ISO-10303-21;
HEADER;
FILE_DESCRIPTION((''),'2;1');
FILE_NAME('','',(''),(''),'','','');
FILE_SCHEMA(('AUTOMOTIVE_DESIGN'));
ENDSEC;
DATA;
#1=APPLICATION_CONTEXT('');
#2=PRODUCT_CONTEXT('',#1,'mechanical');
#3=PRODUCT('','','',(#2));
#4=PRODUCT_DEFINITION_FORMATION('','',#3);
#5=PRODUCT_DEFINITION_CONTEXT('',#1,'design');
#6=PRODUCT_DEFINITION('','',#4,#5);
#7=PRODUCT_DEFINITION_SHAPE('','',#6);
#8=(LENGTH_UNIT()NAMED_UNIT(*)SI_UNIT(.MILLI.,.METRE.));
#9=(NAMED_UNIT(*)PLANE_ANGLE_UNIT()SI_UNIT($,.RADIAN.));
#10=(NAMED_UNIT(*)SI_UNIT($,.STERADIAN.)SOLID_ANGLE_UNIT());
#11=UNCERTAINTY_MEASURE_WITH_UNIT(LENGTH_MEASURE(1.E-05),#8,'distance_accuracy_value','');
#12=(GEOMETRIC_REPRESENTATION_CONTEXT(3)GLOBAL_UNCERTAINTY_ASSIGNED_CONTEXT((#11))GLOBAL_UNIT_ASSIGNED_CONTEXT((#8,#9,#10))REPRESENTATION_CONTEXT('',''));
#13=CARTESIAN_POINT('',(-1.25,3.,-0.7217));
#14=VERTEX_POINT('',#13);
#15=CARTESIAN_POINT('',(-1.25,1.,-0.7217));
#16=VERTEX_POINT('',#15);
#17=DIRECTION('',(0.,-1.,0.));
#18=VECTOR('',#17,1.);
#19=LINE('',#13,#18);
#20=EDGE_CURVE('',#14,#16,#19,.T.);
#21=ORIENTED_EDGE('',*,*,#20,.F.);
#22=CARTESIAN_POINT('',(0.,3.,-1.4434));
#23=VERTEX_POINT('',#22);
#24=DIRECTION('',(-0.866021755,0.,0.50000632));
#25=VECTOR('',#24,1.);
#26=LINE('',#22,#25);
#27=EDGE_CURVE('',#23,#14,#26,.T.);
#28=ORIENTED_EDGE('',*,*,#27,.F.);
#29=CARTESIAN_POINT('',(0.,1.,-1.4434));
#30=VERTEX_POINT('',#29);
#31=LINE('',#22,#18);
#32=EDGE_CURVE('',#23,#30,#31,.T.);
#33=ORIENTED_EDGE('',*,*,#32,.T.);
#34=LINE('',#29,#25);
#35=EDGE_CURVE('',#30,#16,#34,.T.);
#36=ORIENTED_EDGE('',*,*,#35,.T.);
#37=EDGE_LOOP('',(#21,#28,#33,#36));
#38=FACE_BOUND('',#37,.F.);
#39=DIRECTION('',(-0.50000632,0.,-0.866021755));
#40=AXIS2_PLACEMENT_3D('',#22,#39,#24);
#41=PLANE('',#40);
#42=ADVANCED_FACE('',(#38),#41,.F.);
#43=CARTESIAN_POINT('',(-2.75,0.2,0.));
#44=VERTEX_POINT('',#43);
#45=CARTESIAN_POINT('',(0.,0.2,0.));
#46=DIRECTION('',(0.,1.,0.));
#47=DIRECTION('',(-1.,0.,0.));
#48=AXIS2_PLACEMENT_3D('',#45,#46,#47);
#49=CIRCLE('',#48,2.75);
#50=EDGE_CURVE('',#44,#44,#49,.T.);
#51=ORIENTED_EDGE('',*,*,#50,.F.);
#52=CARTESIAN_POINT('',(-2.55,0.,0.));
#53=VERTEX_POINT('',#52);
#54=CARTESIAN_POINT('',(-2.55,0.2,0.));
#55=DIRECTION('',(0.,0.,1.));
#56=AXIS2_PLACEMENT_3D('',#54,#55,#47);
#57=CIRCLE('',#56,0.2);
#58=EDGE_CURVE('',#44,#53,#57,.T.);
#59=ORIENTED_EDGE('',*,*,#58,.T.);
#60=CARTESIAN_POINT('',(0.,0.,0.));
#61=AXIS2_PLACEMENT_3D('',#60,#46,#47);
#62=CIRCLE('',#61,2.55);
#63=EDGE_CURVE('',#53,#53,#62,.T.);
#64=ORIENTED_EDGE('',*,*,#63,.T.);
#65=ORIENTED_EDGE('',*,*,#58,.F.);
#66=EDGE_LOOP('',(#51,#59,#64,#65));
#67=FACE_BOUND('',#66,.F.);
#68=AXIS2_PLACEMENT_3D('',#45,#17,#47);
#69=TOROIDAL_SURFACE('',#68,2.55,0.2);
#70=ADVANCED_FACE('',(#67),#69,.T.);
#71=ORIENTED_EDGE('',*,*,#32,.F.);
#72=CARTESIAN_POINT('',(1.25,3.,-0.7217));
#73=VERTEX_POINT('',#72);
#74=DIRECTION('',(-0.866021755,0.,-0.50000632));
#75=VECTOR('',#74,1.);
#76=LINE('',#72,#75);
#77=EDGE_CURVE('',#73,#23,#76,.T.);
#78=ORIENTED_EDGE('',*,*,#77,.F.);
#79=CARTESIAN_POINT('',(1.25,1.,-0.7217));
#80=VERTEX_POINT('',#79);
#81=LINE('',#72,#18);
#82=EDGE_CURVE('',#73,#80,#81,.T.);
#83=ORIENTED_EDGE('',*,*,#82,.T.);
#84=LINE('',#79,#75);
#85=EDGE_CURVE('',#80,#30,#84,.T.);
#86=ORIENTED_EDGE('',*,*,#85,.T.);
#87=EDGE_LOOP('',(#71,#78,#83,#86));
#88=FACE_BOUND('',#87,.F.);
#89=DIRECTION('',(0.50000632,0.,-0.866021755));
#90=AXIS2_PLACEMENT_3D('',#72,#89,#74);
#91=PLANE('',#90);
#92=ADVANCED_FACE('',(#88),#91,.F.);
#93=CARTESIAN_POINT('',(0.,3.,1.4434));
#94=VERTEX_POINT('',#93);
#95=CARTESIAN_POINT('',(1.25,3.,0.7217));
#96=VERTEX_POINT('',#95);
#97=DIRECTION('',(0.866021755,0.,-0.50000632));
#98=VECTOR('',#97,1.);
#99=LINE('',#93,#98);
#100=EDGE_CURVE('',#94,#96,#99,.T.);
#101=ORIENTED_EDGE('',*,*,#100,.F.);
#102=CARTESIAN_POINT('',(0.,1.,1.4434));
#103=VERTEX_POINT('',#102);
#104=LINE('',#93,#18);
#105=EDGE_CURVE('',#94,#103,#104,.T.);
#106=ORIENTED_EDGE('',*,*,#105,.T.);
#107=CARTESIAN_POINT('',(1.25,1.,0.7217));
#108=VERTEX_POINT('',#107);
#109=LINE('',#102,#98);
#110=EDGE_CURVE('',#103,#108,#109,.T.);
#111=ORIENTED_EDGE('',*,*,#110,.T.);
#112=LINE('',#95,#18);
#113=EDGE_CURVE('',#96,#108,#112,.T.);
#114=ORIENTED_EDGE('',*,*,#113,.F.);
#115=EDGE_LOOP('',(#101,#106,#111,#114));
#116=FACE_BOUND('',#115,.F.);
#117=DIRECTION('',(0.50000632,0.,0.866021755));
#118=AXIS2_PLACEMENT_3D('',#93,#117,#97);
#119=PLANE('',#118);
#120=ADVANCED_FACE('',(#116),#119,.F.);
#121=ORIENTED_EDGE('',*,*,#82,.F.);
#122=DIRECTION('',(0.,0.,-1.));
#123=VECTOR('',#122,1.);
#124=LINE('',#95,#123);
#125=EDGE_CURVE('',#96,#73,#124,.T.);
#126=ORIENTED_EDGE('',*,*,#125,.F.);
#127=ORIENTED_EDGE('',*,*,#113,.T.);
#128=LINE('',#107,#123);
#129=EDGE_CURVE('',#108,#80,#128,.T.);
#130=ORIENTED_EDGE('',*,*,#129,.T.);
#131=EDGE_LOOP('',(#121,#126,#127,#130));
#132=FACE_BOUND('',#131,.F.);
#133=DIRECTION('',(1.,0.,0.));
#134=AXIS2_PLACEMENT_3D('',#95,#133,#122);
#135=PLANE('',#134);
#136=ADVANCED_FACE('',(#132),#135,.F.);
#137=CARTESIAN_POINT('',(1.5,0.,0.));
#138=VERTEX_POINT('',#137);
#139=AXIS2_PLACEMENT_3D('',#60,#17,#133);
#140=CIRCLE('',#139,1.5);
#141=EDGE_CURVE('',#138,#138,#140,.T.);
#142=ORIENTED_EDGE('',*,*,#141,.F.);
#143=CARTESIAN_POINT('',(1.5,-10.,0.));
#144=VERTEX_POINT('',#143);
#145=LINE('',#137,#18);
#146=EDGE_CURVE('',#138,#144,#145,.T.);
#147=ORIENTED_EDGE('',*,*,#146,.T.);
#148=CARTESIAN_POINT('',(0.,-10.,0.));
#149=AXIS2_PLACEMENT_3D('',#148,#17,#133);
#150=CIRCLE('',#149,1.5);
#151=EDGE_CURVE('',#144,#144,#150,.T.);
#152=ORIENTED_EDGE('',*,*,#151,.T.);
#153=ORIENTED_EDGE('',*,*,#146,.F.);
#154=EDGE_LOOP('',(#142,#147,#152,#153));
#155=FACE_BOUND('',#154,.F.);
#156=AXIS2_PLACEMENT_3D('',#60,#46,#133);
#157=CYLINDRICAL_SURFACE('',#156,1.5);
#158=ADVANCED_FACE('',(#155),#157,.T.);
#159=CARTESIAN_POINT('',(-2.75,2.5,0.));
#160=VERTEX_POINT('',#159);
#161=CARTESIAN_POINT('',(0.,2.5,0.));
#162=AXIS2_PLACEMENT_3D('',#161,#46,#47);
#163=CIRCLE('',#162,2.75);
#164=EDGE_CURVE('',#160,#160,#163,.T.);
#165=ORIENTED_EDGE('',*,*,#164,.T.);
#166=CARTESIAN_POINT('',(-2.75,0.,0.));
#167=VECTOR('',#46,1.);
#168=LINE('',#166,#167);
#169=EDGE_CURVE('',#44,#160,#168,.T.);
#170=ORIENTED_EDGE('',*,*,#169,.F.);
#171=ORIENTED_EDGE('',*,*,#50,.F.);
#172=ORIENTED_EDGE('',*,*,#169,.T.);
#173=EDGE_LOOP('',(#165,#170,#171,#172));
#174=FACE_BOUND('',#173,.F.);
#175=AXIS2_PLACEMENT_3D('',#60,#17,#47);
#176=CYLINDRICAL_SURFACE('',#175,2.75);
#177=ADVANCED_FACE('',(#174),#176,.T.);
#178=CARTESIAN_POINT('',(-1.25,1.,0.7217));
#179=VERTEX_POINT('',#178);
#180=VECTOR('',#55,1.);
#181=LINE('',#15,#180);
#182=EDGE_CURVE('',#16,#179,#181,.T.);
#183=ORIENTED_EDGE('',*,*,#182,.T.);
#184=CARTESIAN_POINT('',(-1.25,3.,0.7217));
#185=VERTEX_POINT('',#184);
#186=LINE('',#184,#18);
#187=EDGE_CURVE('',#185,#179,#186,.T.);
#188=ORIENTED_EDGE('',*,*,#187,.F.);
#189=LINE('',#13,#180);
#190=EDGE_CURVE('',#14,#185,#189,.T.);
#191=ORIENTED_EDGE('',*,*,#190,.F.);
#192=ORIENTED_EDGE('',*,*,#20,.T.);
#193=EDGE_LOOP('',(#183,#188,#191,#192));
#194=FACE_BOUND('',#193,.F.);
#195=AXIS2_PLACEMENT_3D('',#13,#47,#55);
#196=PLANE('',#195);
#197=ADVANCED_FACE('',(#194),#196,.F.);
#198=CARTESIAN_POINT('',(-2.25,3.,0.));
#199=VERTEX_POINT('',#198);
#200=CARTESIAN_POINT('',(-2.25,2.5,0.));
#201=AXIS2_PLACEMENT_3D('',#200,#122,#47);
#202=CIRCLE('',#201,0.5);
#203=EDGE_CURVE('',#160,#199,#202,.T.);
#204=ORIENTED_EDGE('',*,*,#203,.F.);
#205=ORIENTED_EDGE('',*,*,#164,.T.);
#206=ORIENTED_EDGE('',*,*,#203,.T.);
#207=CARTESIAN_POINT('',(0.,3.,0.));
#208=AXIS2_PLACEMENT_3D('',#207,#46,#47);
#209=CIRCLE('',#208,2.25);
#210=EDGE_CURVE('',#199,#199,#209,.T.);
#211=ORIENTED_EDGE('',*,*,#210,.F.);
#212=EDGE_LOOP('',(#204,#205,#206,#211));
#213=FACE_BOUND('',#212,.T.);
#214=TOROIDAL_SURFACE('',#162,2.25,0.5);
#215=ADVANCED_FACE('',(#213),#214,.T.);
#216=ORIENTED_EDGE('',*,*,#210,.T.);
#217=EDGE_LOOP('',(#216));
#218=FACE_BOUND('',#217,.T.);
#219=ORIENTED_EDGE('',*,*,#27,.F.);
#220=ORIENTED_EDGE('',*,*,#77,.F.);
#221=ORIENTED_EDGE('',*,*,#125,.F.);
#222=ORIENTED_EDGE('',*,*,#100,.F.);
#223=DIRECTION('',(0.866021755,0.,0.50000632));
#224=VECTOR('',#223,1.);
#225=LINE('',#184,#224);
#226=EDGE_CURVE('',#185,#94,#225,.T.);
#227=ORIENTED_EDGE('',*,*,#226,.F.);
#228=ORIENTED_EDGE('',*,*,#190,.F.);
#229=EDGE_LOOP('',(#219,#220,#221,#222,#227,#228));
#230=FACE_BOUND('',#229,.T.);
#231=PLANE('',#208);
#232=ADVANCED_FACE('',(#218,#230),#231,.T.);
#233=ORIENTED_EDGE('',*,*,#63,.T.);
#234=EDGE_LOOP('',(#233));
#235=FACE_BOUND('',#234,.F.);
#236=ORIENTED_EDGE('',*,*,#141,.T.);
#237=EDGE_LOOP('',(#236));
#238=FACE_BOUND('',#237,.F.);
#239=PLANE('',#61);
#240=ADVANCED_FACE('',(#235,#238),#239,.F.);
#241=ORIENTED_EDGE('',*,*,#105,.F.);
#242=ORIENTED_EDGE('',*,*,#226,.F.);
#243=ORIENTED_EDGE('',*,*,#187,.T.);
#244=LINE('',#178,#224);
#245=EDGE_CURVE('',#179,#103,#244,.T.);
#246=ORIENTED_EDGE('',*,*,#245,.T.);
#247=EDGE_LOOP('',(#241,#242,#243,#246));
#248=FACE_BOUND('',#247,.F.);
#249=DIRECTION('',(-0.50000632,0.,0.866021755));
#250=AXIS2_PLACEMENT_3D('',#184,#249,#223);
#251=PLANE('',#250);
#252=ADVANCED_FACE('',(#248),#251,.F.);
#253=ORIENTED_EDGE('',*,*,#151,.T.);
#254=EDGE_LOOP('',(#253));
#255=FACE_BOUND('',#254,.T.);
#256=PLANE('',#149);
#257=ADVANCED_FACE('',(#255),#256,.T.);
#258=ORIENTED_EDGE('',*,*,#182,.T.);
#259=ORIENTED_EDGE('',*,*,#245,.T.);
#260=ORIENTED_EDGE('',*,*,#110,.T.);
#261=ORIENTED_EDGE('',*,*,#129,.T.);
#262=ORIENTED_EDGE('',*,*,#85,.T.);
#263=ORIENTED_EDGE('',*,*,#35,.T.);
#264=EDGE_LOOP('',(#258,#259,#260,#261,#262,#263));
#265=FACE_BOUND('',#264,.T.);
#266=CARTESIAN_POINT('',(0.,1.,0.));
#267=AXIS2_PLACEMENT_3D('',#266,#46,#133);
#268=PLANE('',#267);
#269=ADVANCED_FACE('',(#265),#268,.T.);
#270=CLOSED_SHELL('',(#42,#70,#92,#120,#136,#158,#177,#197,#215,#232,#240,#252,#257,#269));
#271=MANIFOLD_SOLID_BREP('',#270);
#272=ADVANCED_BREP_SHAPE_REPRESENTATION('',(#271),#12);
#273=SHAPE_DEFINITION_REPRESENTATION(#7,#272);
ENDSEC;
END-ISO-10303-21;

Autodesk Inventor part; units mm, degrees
ref_plane "YZ Plane" through (0, 0, 0) normal (1, 0, 0) x (0, 1, 0)
ref_plane "XZ Plane" through (0, 0, 0) normal (0, 1, 0) x (-1, 0, 0)
ref_plane "XY Plane" through (0, 0, 0) normal (0, 0, 1) x (1, 0, 0)
sketch "スケッチ1" plane through (0, 0, 0) normal (0, 1, 0) x (-1, 0, 0)
  circle A0 centre (0, 0) radius 2.75
  dimension "d0" = 5.5
extrude "押し出し1" add sketch "スケッチ1" along normal blind 3
sketch "スケッチ2" plane through (0, 0, 0) normal (0, -1, 0) x (1, 0, 0)
  circle A0 centre (0, 0) radius 1.5
  dimension "d3" = 3
extrude "押し出し2" add sketch "スケッチ2" along normal blind 10
fillet "フィレット1" radius 0.5 1 edges at (2.75, 3, 0)
fillet "フィレット1" radius 0.2 1 edges at (2.75, 0, 0)
sketch "スケッチ3" plane through (0, 3, 0) normal (0, 1, 0) x (1, 0, 0)
  line L0 (0, 1.4434) -> (-1.25, 0.7217)
  line L1 (-1.25, 0.7217) -> (-1.25, -0.7217)
  line L2 (-1.25, -0.7217) -> (0, -1.4434)
  line L3 (0, -1.4434) -> (1.25, -0.7217)
  line L4 (1.25, -0.7217) -> (1.25, 0.7217)
  line L5 (1.25, 0.7217) -> (0, 1.4434)
  line L6 (0, 1.4434) -> (0, -1.4434) construction
  circle A0 centre (0, 0) radius 1.4434 construction
  dimension "d12" = 2.5
extrude "押し出し3" cut sketch "スケッチ3" against normal blind 2
thread "ねじ1" size "M3x0.5" class "6g" standard "ANSI Metric M Profile" full length
properties part number "M3-CapScrew"
